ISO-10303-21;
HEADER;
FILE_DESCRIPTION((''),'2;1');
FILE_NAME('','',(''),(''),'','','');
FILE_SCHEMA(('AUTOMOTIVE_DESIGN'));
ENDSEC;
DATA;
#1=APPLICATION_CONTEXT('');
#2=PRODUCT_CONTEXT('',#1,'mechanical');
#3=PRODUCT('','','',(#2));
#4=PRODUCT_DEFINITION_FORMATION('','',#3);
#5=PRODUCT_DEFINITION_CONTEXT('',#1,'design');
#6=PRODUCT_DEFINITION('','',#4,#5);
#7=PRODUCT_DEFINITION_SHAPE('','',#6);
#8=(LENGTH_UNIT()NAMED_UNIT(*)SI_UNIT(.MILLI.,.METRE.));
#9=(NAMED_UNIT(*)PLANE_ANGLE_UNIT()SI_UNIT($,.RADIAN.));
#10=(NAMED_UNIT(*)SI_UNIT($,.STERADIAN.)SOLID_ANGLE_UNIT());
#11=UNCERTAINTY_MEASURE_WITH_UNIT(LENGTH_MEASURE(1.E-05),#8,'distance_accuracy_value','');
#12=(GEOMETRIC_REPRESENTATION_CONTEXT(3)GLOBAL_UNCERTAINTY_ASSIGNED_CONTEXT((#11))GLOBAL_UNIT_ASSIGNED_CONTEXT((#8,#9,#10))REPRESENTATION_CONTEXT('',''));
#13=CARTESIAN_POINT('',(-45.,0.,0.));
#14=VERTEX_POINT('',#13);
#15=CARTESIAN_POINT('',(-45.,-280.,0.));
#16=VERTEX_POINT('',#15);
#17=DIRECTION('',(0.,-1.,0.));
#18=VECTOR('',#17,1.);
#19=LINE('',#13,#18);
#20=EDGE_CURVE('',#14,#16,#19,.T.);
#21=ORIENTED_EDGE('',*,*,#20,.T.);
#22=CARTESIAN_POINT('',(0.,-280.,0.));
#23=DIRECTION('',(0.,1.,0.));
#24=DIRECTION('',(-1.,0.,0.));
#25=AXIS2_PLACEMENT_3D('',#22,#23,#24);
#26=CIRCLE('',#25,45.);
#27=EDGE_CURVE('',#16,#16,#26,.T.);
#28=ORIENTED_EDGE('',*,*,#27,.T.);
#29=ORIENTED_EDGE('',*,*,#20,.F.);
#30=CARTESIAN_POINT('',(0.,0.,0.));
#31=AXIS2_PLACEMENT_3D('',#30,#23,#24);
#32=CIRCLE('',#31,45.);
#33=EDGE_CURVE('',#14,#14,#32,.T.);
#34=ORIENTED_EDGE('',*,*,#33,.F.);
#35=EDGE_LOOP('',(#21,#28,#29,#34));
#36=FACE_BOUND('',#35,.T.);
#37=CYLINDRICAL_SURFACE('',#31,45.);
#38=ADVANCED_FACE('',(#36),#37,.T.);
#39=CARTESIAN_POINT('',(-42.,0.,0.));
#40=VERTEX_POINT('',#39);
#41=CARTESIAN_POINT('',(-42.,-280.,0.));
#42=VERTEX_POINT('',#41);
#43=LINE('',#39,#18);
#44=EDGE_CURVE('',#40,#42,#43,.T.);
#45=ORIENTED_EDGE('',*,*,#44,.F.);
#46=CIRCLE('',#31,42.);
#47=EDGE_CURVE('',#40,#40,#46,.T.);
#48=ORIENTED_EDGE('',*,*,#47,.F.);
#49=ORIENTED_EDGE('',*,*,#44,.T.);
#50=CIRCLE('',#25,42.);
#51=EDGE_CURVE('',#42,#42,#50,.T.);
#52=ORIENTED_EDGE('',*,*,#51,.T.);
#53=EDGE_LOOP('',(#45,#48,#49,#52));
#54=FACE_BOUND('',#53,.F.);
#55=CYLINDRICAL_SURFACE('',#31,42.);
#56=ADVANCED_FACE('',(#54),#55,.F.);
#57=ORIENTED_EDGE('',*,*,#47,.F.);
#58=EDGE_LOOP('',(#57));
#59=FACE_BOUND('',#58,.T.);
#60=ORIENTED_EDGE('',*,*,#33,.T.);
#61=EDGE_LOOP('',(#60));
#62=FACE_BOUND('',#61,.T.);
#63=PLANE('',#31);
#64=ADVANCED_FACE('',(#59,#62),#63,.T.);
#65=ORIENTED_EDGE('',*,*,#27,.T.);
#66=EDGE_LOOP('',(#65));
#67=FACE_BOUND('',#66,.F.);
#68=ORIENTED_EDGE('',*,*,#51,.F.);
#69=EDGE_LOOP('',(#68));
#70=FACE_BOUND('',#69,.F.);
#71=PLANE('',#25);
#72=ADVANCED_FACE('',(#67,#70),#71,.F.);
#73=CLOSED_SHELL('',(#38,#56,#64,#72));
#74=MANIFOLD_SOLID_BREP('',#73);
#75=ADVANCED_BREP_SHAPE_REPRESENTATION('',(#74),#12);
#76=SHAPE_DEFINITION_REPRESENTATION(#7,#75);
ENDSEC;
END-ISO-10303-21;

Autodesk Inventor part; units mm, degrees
ref_plane "YZ Plane" through (0, 0, 0) normal (1, 0, 0) x (0, 1, 0)
ref_plane "XZ Plane" through (0, 0, 0) normal (0, 1, 0) x (-1, 0, 0)
ref_plane "XY Plane" through (0, 0, 0) normal (0, 0, 1) x (1, 0, 0)
sketch "Sketch1" plane through (0, 0, 0) normal (0, 1, 0) x (-1, 0, 0)
  circle A0 centre (0, 0) radius 45
  circle A1 centre (0, 0) radius 42
  dimension "d0" = 90
  dimension "d1" = 3
extrude "Extrusion1" add sketch "Sketch1" against normal blind 280
properties part number "SLM 1613 FDS tube 3"
